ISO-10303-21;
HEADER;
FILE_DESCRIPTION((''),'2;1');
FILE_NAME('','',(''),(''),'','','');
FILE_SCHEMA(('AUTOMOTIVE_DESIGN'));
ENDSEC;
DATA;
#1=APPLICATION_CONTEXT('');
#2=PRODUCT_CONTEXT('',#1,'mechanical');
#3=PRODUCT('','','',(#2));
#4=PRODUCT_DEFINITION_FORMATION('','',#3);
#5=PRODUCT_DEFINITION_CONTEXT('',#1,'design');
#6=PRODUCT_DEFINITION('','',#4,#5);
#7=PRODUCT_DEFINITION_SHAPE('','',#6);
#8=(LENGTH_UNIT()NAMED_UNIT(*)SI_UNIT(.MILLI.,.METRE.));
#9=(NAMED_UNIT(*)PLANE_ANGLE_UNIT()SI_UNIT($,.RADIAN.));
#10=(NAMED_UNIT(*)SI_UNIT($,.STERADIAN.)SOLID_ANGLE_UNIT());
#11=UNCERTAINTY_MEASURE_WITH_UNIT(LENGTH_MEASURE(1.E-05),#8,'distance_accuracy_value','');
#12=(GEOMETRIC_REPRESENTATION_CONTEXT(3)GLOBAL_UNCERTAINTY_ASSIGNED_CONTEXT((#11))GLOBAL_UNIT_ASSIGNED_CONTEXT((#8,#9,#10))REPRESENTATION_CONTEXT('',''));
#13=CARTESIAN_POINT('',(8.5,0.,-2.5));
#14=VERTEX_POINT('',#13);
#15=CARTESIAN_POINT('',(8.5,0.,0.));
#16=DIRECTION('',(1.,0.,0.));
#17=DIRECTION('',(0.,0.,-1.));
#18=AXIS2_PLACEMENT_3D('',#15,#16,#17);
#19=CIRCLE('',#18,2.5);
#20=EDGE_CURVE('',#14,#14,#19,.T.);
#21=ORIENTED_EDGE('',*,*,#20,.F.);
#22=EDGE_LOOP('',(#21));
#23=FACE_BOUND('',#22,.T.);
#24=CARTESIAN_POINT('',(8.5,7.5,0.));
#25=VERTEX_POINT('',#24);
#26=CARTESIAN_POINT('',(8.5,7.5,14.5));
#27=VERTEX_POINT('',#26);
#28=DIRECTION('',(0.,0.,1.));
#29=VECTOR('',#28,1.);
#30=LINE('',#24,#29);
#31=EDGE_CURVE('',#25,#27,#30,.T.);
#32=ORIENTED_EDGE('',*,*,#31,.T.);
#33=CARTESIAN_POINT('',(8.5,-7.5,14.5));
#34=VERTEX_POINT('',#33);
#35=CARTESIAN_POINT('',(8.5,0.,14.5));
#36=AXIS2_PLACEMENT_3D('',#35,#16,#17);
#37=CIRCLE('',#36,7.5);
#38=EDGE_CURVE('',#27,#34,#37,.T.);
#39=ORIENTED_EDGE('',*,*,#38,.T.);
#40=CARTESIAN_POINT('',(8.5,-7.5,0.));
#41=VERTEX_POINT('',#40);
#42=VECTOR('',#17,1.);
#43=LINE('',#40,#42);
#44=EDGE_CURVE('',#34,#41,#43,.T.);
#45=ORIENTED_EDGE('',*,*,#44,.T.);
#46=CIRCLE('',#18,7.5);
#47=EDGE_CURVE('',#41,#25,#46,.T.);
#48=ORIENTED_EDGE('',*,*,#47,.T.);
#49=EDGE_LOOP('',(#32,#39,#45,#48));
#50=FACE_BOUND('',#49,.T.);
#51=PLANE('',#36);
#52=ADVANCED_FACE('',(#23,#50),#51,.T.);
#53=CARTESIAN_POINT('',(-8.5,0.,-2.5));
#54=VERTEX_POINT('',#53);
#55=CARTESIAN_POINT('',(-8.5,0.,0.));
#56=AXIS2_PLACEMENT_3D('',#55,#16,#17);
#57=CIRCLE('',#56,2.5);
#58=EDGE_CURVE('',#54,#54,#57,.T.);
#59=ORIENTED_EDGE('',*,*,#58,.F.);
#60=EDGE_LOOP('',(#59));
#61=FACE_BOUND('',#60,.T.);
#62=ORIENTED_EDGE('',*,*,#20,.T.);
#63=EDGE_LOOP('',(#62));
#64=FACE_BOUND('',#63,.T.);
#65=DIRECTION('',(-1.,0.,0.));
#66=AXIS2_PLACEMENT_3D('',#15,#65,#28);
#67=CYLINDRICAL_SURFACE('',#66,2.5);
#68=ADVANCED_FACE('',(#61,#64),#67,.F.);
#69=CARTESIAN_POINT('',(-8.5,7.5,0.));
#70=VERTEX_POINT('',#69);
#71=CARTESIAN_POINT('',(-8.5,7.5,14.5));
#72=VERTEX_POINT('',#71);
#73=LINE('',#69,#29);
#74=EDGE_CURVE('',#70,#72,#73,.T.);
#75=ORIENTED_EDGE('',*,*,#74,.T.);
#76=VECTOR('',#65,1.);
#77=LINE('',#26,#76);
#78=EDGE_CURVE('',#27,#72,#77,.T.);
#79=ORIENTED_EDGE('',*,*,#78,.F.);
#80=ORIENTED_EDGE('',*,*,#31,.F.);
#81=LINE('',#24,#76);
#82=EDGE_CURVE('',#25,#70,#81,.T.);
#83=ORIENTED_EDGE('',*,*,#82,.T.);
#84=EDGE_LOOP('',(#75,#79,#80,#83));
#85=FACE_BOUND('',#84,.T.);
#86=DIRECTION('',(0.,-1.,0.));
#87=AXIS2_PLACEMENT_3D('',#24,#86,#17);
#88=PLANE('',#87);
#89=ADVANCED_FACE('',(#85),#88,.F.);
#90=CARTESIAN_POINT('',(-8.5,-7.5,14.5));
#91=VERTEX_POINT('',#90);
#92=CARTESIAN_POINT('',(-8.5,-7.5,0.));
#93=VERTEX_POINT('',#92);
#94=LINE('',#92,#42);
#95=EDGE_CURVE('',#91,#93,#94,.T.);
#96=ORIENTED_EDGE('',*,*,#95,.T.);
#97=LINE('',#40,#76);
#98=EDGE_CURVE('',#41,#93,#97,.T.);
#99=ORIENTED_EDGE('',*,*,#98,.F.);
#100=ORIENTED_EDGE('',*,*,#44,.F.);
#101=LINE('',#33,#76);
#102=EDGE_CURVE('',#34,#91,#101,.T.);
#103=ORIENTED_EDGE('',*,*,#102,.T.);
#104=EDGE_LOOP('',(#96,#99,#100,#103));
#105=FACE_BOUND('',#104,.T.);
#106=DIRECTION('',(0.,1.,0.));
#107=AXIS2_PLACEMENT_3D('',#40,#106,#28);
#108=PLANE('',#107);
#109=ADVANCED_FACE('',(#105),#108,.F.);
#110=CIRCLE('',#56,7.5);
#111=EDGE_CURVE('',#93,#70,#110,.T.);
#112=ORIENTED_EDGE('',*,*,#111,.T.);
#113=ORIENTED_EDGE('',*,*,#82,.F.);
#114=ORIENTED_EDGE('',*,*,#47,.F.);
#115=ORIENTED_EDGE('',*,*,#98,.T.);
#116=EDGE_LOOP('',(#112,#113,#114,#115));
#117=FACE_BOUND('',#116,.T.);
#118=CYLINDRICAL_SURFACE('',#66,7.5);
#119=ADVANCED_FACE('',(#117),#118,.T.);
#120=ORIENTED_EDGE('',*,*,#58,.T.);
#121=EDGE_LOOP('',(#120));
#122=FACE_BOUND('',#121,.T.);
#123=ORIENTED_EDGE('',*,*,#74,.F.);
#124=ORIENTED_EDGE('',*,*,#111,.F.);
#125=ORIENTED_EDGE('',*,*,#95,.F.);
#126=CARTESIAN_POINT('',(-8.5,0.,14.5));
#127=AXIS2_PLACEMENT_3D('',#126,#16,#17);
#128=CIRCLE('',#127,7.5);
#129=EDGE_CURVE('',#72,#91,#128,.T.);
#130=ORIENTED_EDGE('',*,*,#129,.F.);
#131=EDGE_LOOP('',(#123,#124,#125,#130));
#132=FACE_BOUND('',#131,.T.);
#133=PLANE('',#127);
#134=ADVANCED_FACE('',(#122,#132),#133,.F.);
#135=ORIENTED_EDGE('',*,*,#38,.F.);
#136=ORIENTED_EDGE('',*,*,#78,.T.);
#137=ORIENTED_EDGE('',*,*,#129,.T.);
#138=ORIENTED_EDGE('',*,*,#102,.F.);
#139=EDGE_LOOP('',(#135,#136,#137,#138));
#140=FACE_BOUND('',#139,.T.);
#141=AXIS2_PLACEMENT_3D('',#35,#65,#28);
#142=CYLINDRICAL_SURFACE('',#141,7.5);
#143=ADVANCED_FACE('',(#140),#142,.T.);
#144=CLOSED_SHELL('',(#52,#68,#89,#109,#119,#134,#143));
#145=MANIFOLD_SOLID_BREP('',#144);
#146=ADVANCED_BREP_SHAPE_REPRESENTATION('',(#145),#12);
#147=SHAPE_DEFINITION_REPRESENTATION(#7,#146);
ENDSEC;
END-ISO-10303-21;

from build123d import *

# Parameters (mm, degrees)
CROQUIS1_R              = 2.5
SALIENTE_EXTRUIR1_DEPTH = 8.5


with BuildPart() as part:
    # Croquis1 → Saliente-Extruir1 (new, symmetric)
    with BuildSketch(Plane(origin=(0, 0, 0), x_dir=(0, 0, -1), z_dir=(1, 0, 0))):
        with BuildLine():
            Line((0, 7.5), (-14.5, 7.5))
            ThreePointArc((-14.5, 7.5), (-22, 0), (-14.5, -7.5))
            Line((-14.5, -7.5), (0, -7.5))
            ThreePointArc((0, -7.5), (7.5, 0), (0, 7.5))
        make_face()
        Circle(CROQUIS1_R, mode=Mode.SUBTRACT)
    extrude(amount=SALIENTE_EXTRUIR1_DEPTH, both=True)


solid = part.part
